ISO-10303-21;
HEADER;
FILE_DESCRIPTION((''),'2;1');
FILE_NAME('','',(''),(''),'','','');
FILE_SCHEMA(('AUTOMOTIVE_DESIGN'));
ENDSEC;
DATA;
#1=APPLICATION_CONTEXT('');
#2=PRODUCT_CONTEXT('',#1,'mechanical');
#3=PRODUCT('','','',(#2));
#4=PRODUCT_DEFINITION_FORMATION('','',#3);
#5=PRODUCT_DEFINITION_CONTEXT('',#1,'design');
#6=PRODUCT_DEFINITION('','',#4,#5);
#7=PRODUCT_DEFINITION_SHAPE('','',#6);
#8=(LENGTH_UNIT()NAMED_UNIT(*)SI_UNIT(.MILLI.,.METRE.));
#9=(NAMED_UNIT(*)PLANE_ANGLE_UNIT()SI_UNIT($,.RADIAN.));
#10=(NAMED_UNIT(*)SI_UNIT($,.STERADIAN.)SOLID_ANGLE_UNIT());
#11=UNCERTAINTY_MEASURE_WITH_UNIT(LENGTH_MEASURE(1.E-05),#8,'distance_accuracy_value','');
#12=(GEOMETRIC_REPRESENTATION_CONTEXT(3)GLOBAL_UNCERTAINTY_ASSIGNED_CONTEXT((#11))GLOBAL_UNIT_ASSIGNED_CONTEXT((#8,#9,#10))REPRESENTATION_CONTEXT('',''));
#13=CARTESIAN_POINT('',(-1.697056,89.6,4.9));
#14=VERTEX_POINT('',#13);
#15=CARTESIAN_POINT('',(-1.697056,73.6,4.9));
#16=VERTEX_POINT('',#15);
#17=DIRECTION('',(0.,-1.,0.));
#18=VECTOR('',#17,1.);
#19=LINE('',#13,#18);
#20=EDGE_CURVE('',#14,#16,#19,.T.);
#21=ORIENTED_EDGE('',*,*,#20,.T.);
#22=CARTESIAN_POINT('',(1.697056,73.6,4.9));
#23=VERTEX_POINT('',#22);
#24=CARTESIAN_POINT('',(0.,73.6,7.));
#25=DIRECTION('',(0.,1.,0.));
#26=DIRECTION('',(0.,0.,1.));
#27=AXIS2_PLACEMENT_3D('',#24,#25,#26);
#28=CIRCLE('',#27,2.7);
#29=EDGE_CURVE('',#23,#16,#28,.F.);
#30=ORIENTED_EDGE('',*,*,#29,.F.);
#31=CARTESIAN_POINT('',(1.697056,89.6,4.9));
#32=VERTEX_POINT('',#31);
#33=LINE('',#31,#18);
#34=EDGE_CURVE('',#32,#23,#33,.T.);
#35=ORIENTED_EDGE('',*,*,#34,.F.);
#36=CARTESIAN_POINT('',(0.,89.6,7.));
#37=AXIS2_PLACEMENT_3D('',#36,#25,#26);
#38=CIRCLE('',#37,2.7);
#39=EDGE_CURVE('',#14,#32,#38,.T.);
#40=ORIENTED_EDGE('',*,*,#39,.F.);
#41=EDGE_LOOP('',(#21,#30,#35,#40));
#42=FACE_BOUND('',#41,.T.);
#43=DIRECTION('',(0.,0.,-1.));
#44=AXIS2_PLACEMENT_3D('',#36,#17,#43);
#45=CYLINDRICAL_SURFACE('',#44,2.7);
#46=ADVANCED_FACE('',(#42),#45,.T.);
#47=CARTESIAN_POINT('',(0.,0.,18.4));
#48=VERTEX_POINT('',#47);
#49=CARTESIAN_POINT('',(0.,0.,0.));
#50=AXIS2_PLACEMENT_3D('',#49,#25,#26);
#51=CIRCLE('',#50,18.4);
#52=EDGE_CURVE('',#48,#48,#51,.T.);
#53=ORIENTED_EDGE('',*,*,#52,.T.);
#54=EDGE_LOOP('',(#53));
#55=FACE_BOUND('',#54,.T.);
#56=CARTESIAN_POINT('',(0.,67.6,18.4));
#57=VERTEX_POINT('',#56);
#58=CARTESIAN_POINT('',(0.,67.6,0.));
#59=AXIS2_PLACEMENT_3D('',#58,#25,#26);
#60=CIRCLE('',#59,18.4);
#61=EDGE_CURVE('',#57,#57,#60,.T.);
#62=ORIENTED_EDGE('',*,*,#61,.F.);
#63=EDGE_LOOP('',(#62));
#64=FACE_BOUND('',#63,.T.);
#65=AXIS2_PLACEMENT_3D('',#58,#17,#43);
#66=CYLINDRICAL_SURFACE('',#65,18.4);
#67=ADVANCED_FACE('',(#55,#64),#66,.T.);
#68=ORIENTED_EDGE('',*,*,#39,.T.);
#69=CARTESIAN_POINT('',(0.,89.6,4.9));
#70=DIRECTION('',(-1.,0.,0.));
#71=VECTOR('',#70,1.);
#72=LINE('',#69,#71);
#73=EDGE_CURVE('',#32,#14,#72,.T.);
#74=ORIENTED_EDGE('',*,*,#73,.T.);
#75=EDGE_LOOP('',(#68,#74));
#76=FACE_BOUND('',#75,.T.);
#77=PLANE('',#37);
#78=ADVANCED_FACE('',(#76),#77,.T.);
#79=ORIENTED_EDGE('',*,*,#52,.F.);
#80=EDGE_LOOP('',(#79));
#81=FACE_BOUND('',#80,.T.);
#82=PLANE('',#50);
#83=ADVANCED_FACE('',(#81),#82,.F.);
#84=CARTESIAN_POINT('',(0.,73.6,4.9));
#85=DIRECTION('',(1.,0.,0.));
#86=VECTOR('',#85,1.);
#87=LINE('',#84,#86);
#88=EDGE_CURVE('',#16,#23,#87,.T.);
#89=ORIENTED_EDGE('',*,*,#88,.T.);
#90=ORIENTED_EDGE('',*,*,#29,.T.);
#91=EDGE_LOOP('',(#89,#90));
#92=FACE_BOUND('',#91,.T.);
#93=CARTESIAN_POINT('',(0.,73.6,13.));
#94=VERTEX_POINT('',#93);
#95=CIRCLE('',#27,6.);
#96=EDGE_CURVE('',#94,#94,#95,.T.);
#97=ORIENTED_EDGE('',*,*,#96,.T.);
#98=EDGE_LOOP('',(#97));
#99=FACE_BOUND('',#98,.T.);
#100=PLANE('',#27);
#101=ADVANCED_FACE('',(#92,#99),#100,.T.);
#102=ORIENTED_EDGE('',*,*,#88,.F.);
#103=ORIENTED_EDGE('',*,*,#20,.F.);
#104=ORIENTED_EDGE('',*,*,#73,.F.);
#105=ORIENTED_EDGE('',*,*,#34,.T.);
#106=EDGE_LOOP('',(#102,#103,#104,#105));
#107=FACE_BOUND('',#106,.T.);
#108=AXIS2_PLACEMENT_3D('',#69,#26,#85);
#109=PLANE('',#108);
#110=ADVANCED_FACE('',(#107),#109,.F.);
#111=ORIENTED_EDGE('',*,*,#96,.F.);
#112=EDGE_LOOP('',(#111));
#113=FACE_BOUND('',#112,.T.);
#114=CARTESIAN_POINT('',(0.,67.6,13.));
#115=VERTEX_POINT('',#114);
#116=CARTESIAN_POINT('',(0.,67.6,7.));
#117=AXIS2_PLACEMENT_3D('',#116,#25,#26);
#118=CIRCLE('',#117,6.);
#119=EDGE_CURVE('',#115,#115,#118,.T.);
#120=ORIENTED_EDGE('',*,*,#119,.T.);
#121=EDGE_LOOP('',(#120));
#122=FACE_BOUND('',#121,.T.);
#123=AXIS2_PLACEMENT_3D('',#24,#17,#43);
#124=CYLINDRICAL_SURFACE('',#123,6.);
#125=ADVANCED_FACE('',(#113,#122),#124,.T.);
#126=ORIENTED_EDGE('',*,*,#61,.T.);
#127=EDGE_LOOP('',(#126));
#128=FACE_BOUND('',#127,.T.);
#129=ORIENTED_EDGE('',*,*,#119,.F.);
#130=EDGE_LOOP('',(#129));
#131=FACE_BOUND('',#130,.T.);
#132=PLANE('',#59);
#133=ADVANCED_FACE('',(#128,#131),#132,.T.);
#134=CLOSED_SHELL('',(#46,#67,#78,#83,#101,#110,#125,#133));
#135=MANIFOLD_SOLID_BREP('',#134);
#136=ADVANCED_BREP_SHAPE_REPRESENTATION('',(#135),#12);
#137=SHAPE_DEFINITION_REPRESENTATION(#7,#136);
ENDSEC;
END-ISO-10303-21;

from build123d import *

# Parameters (mm, degrees)
SKETCH1_R           = 18.4
BOSS_EXTRUDE1_DEPTH = 67.6
SKETCH2_R           = 6
BOSS_EXTRUDE2_DEPTH = 6
BOSS_EXTRUDE3_START = -6
BOSS_EXTRUDE3_DEPTH = 22


with BuildPart() as part:
    # Sketch1 → Boss-Extrude1 (new body)
    with BuildSketch(Plane(origin=(0, 0, 0), x_dir=(1, 0, 0), z_dir=(0, 1, 0))):
        with Locations(Location((0, 0, 0), (0, 0, 270))):
            Circle(SKETCH1_R)
    extrude(amount=BOSS_EXTRUDE1_DEPTH)

    # Sketch2 → Boss-Extrude2 (add)
    with BuildSketch(Plane(origin=(0, 67.6, 0), x_dir=(1, 0, 0), z_dir=(0, 1, 0))):
        with Locations(Location((0, -7, 0), (0, 0, 270))):
            Circle(SKETCH2_R)
    extrude(amount=BOSS_EXTRUDE2_DEPTH)

    # Sketch3 → Boss-Extrude3 (add)
    with BuildSketch(Plane(origin=(0, 73.6, 0), x_dir=(1, 0, 0), z_dir=(0, 1, 0)).offset(BOSS_EXTRUDE3_START)):
        with BuildLine():
            Line((-1.697056275, -4.9), (1.697056275, -4.9))
            ThreePointArc((1.697056275, -4.9), (0, -9.7), (-1.697056275, -4.9))
        make_face()
    extrude(amount=BOSS_EXTRUDE3_DEPTH)


solid = part.part
